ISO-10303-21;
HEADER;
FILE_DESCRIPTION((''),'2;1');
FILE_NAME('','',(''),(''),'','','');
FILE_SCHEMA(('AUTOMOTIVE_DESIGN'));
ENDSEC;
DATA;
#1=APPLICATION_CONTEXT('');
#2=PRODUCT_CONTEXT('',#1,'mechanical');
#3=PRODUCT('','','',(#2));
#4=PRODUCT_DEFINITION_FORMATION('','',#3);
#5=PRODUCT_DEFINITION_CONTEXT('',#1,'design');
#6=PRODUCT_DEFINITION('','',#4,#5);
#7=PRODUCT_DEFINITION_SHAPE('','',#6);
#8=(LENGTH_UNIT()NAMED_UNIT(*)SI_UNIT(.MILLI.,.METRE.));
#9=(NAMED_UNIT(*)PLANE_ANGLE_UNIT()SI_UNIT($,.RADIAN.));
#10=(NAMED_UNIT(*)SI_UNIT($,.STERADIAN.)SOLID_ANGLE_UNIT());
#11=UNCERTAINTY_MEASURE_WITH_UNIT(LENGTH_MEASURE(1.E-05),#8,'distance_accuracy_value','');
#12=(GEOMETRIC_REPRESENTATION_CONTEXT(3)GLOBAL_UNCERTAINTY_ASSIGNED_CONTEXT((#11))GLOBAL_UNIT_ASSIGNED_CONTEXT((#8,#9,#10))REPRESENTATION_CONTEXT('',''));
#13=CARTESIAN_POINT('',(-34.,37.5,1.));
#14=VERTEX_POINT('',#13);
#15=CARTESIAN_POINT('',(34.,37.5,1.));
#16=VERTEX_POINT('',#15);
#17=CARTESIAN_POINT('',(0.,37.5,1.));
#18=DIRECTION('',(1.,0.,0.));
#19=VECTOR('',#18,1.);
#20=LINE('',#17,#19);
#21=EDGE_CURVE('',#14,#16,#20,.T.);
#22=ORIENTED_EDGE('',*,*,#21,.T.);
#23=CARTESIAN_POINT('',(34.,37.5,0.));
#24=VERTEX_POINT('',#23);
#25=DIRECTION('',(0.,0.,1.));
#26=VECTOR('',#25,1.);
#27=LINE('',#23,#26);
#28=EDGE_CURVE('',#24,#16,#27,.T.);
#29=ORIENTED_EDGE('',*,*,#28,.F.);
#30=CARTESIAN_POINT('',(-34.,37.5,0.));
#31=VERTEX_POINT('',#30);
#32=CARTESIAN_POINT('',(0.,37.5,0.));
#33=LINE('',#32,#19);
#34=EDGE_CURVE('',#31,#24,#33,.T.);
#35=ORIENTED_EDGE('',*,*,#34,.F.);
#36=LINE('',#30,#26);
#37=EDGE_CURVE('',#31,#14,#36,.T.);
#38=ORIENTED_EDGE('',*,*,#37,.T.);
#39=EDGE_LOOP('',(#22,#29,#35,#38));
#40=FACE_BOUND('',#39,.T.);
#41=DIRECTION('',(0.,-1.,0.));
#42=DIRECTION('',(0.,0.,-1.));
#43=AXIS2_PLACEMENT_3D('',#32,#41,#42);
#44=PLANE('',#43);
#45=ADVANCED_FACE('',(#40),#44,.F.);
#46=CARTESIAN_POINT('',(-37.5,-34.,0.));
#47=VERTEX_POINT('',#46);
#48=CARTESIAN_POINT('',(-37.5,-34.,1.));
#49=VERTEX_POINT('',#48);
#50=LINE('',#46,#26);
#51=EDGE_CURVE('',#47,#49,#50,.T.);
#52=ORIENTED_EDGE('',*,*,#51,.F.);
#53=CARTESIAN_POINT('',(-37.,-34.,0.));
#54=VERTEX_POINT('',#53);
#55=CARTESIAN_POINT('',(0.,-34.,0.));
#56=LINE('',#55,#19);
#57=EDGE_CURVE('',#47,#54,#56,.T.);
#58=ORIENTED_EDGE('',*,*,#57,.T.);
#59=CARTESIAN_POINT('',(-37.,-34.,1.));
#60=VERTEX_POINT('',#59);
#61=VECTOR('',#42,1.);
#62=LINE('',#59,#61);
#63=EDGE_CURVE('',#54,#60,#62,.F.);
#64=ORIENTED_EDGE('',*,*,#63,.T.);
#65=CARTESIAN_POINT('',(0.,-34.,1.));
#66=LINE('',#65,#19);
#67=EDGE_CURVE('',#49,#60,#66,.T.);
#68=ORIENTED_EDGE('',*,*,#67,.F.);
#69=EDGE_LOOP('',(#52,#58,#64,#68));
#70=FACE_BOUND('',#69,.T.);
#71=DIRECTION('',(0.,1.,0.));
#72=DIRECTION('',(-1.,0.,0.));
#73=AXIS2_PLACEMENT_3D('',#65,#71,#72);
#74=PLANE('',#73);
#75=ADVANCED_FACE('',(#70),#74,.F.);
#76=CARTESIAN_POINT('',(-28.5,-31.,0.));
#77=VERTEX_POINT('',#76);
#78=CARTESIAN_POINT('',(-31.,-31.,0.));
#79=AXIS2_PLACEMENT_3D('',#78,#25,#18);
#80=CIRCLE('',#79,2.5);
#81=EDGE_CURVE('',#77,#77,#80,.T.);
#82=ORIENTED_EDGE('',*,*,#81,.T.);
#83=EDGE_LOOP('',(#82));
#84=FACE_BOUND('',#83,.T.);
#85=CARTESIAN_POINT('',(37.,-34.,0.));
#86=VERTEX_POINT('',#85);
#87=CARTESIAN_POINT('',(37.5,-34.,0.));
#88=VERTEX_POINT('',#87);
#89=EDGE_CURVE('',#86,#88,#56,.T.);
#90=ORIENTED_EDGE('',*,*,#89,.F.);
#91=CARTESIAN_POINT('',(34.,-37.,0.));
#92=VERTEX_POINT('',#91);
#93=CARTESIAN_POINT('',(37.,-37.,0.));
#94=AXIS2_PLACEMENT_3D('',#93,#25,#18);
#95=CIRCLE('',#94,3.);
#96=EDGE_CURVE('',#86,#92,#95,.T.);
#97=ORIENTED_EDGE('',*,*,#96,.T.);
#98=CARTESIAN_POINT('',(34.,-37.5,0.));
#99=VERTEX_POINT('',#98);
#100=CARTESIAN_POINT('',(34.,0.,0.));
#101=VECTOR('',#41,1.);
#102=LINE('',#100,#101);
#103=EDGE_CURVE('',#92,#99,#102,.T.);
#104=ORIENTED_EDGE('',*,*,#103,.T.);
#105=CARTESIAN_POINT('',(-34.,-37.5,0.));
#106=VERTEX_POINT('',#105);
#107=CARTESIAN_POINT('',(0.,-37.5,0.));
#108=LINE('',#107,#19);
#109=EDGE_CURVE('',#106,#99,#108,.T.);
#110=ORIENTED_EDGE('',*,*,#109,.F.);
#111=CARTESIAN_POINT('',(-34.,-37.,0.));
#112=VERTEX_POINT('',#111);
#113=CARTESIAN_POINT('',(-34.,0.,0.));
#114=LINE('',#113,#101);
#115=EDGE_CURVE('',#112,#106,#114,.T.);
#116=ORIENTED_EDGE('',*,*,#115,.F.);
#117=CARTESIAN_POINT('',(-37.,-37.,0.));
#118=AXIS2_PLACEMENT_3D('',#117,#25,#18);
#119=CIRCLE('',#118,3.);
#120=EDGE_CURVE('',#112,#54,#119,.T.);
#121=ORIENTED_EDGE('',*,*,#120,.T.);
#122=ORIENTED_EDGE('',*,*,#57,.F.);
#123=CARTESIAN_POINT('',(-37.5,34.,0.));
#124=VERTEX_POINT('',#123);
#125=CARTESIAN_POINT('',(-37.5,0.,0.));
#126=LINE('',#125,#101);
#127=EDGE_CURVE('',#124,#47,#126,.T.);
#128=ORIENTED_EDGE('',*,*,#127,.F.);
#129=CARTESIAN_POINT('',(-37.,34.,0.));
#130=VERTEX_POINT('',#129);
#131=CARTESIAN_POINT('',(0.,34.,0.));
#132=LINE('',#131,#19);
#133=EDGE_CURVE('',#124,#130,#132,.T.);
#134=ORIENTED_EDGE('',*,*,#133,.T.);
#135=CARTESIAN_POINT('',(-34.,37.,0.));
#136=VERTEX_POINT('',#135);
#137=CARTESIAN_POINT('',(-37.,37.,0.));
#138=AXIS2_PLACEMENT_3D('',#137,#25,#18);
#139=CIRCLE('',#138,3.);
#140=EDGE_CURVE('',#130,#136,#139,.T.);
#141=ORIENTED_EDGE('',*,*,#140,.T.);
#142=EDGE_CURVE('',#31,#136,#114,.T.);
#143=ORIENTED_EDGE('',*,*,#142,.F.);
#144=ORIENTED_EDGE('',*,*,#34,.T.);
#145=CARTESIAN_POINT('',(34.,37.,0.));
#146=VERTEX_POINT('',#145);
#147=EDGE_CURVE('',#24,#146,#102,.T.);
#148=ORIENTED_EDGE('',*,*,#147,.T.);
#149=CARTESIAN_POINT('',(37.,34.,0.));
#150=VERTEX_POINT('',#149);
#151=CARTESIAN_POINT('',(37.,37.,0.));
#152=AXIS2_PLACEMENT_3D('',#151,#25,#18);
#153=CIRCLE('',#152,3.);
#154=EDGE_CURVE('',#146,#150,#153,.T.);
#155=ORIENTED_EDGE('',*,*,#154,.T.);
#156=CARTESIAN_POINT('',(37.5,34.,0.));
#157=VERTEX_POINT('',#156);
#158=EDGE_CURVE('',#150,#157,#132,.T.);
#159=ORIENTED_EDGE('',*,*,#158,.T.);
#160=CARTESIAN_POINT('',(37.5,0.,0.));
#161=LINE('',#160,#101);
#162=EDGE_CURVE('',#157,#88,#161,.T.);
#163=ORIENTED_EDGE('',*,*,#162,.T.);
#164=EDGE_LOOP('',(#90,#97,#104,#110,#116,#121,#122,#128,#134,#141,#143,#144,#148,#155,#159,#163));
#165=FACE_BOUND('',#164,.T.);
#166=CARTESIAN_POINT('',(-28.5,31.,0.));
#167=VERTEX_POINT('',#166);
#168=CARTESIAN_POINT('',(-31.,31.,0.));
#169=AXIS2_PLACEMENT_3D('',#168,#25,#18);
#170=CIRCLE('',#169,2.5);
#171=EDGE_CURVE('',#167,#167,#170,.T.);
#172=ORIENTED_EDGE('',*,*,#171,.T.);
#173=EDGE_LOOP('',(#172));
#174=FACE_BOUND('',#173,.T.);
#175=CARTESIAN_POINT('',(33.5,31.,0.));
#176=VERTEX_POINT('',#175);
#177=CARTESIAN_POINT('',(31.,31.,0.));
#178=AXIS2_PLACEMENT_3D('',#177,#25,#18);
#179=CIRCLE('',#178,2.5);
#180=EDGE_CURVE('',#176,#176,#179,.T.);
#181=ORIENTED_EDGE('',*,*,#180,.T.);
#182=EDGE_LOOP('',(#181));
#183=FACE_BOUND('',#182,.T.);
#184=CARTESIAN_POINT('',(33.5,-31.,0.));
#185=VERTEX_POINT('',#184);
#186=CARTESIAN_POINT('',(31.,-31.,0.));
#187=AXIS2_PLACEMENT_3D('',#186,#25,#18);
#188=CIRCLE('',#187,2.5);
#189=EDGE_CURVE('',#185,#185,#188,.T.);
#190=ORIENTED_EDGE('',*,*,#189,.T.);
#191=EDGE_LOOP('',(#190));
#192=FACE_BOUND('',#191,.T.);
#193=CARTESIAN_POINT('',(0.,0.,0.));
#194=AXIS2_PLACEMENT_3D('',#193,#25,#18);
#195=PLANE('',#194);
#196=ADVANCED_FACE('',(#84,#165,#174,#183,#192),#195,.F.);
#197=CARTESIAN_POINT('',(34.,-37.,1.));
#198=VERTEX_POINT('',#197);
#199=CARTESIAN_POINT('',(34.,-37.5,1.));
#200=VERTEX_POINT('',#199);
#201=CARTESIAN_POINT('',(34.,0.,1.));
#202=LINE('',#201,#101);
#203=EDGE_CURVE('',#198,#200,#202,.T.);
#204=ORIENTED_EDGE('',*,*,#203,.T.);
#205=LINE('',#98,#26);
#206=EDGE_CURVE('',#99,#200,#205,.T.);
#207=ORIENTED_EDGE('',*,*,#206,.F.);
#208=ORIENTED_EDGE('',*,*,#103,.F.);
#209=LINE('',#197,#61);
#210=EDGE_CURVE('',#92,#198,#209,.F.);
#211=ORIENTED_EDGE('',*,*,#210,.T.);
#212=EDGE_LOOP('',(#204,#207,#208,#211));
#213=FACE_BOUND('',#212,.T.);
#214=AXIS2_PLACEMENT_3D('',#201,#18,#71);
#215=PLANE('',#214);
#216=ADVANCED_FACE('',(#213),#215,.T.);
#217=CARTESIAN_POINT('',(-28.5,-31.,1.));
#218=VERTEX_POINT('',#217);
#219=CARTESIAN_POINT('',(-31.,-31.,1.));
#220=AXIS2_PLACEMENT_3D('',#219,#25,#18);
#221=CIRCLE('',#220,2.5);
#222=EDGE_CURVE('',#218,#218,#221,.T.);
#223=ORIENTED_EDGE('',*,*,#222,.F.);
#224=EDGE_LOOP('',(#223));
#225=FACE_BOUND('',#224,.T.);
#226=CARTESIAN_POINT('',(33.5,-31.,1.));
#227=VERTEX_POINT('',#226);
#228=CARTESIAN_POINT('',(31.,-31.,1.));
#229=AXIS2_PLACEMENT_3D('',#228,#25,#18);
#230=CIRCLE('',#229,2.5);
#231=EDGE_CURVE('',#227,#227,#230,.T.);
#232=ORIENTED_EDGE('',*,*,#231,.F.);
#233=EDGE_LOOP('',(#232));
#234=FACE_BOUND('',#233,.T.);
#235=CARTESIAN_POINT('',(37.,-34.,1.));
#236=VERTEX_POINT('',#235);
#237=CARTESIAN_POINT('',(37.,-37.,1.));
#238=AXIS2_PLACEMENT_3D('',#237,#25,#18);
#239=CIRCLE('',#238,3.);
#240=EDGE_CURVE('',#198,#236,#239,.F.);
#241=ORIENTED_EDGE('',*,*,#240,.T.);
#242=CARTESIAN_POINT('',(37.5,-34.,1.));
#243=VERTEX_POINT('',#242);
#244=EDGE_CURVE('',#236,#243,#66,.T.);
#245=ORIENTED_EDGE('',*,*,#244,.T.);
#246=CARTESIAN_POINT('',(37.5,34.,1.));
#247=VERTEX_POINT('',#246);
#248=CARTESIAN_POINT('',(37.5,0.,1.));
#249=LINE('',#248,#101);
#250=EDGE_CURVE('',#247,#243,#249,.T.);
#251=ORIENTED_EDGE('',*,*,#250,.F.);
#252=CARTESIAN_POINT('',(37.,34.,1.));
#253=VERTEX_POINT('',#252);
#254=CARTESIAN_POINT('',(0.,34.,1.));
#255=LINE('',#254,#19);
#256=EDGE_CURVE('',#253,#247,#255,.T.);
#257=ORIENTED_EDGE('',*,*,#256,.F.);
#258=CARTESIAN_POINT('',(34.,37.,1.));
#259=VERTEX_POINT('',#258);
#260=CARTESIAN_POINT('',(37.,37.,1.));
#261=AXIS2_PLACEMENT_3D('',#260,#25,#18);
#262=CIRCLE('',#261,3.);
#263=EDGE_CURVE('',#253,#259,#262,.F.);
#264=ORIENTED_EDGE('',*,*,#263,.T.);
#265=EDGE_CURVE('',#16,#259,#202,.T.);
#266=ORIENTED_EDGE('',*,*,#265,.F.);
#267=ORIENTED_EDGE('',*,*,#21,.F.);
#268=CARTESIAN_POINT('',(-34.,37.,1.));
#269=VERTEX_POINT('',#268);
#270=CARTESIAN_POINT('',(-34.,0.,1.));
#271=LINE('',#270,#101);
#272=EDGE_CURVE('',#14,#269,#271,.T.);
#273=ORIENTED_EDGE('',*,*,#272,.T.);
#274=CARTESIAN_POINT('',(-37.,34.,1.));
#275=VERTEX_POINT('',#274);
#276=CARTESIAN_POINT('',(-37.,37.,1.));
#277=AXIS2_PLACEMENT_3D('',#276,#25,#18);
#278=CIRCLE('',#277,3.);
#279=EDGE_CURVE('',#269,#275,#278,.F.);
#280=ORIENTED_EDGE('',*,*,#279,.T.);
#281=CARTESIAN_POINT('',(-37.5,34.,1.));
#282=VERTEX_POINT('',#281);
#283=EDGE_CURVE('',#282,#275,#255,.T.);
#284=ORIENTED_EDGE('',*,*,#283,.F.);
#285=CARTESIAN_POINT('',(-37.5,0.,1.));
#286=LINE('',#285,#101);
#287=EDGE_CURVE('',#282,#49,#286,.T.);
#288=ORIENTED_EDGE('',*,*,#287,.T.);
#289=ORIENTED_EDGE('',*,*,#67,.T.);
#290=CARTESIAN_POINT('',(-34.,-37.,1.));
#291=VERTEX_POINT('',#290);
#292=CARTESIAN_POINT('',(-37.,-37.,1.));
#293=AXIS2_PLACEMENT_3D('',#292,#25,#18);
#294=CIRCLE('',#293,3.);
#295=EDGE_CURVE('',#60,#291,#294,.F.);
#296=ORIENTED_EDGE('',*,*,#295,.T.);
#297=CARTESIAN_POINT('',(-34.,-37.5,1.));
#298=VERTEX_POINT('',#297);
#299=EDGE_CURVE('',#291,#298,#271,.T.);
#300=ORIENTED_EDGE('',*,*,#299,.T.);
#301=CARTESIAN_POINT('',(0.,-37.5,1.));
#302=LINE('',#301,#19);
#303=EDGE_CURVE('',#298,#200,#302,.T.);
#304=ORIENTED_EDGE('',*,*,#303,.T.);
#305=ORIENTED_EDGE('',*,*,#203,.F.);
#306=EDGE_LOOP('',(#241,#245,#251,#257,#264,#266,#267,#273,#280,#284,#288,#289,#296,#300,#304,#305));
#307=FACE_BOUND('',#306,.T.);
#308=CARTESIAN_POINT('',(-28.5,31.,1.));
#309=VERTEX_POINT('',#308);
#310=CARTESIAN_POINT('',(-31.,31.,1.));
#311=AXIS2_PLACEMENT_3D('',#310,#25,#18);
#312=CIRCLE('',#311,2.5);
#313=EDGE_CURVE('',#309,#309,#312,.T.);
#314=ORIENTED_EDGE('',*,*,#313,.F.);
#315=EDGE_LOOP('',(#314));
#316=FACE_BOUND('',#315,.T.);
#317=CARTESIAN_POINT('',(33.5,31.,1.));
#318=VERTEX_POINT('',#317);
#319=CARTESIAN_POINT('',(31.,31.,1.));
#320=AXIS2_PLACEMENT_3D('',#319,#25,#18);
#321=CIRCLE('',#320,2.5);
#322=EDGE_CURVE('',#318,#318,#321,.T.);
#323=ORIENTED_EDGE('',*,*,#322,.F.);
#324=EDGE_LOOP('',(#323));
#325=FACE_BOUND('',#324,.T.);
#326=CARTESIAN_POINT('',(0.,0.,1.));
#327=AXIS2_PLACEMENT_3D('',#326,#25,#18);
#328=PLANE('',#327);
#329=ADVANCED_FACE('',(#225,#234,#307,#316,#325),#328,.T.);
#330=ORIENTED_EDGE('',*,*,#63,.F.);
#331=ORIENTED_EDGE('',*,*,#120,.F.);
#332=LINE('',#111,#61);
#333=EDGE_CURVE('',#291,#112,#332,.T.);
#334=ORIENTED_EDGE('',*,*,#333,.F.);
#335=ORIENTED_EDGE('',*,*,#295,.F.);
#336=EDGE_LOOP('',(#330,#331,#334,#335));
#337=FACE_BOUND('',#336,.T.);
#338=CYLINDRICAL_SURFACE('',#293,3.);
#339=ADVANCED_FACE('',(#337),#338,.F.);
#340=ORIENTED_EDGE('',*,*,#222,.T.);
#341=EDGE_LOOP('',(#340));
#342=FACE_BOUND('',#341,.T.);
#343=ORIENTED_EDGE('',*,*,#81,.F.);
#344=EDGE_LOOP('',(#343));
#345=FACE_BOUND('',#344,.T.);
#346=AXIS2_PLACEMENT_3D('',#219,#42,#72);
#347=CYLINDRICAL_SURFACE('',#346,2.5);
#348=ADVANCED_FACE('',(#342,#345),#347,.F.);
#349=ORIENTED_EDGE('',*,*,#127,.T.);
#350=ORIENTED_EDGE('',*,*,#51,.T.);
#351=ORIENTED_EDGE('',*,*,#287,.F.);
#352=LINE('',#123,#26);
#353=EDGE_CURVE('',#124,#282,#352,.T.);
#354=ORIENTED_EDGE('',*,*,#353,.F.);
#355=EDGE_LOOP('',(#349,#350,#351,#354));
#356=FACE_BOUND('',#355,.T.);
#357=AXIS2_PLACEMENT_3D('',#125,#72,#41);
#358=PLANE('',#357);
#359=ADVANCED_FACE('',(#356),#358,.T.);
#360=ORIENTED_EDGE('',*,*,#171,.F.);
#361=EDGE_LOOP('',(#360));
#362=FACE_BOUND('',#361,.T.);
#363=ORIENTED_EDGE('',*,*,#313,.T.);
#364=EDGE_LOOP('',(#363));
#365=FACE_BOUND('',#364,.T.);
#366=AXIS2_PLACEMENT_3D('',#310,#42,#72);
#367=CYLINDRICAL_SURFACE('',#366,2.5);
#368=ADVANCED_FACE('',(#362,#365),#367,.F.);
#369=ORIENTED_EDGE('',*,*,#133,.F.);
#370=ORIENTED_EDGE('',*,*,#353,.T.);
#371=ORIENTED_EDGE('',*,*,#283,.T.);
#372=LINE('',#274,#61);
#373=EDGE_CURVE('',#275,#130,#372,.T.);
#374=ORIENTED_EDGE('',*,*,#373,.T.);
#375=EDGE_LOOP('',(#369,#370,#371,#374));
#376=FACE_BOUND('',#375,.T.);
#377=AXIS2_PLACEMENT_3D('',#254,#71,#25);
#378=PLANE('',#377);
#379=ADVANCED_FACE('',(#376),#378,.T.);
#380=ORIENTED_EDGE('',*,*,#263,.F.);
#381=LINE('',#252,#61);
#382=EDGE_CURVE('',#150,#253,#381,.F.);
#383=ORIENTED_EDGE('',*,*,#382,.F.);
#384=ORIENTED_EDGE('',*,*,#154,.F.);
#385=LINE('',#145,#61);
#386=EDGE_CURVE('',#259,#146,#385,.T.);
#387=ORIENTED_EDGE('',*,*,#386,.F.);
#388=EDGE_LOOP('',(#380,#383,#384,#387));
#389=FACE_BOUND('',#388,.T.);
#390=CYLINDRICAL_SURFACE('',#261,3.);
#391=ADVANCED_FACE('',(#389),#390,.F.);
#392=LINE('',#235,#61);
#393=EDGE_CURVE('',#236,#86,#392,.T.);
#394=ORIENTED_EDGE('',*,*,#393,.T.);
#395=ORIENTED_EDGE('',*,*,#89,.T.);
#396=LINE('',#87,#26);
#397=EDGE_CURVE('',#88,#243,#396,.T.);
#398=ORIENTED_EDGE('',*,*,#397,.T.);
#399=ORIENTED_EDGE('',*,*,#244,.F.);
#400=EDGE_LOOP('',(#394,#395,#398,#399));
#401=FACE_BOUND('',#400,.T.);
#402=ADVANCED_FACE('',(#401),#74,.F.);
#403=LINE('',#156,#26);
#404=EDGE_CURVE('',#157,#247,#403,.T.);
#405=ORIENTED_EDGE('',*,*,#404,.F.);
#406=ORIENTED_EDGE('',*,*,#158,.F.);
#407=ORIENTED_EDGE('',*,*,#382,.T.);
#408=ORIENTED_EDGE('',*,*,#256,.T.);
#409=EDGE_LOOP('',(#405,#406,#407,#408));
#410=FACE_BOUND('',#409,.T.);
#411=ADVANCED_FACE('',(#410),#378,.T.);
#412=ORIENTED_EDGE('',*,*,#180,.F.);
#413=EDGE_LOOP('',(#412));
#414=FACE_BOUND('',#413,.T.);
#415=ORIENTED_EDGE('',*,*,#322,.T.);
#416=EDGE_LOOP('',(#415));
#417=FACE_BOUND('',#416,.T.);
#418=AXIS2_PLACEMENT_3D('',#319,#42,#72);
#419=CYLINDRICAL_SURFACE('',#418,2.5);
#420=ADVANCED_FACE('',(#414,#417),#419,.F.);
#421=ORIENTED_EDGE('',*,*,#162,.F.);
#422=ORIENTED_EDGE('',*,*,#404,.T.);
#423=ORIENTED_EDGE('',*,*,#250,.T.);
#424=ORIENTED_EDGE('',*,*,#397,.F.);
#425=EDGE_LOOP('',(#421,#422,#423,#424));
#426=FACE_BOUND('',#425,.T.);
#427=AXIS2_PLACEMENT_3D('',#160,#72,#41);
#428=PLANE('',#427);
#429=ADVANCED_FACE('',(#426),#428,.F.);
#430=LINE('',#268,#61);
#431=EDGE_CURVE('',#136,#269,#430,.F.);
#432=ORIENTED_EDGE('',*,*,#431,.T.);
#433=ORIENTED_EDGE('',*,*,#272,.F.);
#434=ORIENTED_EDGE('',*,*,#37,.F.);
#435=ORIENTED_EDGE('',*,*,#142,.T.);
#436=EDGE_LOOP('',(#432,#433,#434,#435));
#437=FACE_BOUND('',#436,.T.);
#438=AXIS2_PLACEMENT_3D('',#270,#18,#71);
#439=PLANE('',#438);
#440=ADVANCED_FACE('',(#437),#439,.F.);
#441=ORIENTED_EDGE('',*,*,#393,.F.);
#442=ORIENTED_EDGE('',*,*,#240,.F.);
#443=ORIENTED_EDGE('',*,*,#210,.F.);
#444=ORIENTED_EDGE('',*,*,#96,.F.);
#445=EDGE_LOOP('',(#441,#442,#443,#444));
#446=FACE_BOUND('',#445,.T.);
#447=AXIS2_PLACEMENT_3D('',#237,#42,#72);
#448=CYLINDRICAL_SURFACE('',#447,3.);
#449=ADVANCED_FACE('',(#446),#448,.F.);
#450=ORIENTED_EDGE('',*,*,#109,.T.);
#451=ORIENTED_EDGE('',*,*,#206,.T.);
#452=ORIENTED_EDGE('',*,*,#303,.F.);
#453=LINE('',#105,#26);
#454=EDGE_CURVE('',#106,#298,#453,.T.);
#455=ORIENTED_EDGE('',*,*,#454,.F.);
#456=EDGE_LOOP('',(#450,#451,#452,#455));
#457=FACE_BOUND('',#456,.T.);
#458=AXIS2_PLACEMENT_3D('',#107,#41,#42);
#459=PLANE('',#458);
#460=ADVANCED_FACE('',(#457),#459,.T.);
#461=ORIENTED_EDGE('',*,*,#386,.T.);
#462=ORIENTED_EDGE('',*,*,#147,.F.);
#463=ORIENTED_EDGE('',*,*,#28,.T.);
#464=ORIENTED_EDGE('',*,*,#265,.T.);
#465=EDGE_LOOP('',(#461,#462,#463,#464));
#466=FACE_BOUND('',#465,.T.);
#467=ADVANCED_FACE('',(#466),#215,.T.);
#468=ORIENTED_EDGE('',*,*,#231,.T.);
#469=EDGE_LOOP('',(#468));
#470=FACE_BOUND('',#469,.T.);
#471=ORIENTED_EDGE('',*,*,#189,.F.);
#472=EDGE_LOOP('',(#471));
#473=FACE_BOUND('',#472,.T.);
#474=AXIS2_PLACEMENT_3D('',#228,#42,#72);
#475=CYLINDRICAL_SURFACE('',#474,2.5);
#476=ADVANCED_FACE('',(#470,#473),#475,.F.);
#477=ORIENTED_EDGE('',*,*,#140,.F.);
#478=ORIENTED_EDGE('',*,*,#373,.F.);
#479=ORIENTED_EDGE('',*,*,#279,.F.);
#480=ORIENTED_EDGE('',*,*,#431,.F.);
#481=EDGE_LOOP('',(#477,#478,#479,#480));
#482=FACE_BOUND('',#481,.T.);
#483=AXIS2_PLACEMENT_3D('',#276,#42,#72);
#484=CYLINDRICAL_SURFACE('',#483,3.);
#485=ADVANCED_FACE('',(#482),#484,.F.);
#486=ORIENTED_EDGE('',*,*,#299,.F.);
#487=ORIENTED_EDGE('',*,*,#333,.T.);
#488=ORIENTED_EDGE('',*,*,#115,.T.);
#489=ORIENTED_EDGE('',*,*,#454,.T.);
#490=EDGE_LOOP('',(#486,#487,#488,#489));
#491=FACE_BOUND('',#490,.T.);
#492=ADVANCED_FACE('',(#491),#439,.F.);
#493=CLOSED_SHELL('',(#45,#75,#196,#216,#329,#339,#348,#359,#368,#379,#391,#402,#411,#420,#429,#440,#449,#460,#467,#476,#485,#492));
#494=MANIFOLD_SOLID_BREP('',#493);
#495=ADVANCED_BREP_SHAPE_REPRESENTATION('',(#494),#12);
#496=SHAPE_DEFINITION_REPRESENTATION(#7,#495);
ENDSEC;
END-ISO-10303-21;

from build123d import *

# Parameters (mm, degrees)
SKETCH_1_W          = 68
SKETCH_1_H          = 68
SKETCH_1_R          = 2.5
SKETCH_1_H_2        = 11
SKETCH_1_W_2        = 11
EXTRUDE_2_DEPTH     = 1
FILLET_1_R          = 3
SKETCH_2_W          = 7.5
SKETCH_2_H          = 68
SKETCH_2_W_2        = 68
SKETCH_2_H_2        = 7.5
CUT_EXTRUDE_1_DEPTH = 2


with BuildPart() as part:
    # ｽｹｯﾁ1 → ﾎﾞｽ - 押し出し2 (new body)
    with BuildSketch(Plane.XY):
        Rectangle(SKETCH_1_W, SKETCH_1_H)
        with Locations((-31, -31)):
            Circle(SKETCH_1_R, mode=Mode.SUBTRACT)
        with Locations((31, -31)):
            Circle(SKETCH_1_R, mode=Mode.SUBTRACT)
        with Locations((-31, 31)):
            Circle(SKETCH_1_R, mode=Mode.SUBTRACT)
        with Locations((31, 31)):
            Circle(SKETCH_1_R, mode=Mode.SUBTRACT)
        with Locations((0, 39.5)):
            Rectangle(SKETCH_1_W, SKETCH_1_H_2)
        with Locations((-39.5, 0)):
            Rectangle(SKETCH_1_W_2, SKETCH_1_H)
        with Locations((39.5, 0)):
            Rectangle(SKETCH_1_W_2, SKETCH_1_H)
        with Locations((0, -39.5)):
            Rectangle(SKETCH_1_W, SKETCH_1_H_2)
    extrude(amount=EXTRUDE_2_DEPTH)

    # ﾌｨﾚｯﾄ1
    fillet_1_edges = [part.edges().sort_by_distance(p)[0] for p in [
        (-34, -34, 0.5),
        (-34, 34, 0.5),
        (34, 34, 0.5),
        (34, -34, 0.5),
    ]]
    fillet(fillet_1_edges, radius=FILLET_1_R)

    # ｽｹｯﾁ2 → ｶｯﾄ - 押し出し1 (cut, through all)
    with BuildSketch(Plane.XY.offset(1)):
        with Locations((-41.25, 0)):
            Rectangle(SKETCH_2_W, SKETCH_2_H)
        with Locations((0, 41.25)):
            Rectangle(SKETCH_2_W_2, SKETCH_2_H_2)
        with Locations((41.25, 0)):
            Rectangle(SKETCH_2_W, SKETCH_2_H)
        with Locations((0, -41.25)):
            Rectangle(SKETCH_2_W_2, SKETCH_2_H_2)
    extrude(amount=-CUT_EXTRUDE_1_DEPTH, mode=Mode.SUBTRACT)


solid = part.part
